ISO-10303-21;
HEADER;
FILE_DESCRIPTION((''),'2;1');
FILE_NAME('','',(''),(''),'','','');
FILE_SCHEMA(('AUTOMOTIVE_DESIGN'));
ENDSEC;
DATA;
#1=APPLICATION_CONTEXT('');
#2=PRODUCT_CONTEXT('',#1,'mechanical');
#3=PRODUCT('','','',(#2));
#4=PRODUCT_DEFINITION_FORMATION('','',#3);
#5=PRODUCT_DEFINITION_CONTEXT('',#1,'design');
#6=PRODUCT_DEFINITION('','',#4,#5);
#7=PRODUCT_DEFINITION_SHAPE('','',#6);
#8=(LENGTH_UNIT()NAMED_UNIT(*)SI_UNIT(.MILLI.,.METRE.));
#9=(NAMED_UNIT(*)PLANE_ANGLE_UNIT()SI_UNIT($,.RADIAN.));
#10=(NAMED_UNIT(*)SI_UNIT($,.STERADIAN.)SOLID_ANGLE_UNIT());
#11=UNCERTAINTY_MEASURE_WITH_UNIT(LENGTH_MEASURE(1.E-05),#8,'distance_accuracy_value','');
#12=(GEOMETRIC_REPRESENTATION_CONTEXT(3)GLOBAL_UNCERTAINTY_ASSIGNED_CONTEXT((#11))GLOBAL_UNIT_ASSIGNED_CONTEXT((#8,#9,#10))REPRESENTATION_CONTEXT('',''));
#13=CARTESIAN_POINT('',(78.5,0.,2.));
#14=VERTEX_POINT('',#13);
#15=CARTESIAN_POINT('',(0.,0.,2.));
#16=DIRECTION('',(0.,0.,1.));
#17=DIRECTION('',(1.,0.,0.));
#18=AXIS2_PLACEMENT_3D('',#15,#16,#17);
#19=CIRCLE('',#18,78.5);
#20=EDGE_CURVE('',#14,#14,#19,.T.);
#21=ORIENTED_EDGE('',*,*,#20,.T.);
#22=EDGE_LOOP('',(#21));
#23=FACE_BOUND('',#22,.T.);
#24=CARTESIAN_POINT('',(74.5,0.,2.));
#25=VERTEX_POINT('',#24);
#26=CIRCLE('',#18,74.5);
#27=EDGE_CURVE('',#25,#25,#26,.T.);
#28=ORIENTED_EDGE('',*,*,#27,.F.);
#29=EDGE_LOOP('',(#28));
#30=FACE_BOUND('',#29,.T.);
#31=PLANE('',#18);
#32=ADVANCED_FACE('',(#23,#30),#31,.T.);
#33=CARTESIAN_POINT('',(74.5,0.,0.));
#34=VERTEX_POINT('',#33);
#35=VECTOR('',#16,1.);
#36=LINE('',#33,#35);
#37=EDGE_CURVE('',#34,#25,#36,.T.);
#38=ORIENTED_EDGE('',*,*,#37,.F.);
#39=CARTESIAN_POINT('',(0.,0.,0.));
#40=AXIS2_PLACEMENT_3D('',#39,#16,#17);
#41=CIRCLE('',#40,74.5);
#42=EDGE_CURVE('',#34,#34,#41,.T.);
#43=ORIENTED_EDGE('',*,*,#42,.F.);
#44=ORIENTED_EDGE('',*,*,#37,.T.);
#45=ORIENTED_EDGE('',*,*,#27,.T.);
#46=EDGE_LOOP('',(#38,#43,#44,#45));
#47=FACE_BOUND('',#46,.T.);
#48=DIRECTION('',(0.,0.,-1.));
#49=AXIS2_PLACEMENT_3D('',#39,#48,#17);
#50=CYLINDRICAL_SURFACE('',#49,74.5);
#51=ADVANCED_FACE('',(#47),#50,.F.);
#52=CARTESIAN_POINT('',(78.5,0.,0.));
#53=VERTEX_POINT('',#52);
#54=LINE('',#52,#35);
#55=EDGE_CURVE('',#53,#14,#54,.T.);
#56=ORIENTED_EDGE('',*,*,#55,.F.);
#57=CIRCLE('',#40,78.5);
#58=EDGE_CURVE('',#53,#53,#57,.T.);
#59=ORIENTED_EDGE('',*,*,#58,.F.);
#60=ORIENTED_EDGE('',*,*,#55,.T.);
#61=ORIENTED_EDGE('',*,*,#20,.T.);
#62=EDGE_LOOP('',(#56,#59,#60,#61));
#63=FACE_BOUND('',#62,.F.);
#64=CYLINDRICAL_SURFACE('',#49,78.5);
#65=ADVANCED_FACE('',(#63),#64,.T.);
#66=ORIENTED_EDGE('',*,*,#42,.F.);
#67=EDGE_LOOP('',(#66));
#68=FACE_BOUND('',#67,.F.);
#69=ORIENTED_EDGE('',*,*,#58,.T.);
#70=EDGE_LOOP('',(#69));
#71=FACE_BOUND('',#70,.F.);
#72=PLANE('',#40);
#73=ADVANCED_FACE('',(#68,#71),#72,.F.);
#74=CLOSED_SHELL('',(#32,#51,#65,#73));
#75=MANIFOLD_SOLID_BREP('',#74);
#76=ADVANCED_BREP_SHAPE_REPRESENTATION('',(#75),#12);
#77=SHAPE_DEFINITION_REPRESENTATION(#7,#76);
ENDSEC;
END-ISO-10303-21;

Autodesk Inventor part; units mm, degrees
ref_plane "YZ Plane" through (0, 0, 0) normal (1, 0, 0) x (0, 1, 0)
ref_plane "XZ Plane" through (0, 0, 0) normal (0, 1, 0) x (-1, 0, 0)
ref_plane "XY Plane" through (0, 0, 0) normal (0, 0, 1) x (1, 0, 0)
sketch "Эскиз1" plane through (0, 0, 0) normal (0, 0, 1) x (1, 0, 0)
  circle A0 centre (0, 0) radius 74.5
  circle A1 centre (0, 0) radius 78.5
  dimension "d0" = 149
  dimension "d1" = 157
extrude "Выдавливание1" add sketch "Эскиз1" along normal blind 2
properties part number "Прокладка клапана"
